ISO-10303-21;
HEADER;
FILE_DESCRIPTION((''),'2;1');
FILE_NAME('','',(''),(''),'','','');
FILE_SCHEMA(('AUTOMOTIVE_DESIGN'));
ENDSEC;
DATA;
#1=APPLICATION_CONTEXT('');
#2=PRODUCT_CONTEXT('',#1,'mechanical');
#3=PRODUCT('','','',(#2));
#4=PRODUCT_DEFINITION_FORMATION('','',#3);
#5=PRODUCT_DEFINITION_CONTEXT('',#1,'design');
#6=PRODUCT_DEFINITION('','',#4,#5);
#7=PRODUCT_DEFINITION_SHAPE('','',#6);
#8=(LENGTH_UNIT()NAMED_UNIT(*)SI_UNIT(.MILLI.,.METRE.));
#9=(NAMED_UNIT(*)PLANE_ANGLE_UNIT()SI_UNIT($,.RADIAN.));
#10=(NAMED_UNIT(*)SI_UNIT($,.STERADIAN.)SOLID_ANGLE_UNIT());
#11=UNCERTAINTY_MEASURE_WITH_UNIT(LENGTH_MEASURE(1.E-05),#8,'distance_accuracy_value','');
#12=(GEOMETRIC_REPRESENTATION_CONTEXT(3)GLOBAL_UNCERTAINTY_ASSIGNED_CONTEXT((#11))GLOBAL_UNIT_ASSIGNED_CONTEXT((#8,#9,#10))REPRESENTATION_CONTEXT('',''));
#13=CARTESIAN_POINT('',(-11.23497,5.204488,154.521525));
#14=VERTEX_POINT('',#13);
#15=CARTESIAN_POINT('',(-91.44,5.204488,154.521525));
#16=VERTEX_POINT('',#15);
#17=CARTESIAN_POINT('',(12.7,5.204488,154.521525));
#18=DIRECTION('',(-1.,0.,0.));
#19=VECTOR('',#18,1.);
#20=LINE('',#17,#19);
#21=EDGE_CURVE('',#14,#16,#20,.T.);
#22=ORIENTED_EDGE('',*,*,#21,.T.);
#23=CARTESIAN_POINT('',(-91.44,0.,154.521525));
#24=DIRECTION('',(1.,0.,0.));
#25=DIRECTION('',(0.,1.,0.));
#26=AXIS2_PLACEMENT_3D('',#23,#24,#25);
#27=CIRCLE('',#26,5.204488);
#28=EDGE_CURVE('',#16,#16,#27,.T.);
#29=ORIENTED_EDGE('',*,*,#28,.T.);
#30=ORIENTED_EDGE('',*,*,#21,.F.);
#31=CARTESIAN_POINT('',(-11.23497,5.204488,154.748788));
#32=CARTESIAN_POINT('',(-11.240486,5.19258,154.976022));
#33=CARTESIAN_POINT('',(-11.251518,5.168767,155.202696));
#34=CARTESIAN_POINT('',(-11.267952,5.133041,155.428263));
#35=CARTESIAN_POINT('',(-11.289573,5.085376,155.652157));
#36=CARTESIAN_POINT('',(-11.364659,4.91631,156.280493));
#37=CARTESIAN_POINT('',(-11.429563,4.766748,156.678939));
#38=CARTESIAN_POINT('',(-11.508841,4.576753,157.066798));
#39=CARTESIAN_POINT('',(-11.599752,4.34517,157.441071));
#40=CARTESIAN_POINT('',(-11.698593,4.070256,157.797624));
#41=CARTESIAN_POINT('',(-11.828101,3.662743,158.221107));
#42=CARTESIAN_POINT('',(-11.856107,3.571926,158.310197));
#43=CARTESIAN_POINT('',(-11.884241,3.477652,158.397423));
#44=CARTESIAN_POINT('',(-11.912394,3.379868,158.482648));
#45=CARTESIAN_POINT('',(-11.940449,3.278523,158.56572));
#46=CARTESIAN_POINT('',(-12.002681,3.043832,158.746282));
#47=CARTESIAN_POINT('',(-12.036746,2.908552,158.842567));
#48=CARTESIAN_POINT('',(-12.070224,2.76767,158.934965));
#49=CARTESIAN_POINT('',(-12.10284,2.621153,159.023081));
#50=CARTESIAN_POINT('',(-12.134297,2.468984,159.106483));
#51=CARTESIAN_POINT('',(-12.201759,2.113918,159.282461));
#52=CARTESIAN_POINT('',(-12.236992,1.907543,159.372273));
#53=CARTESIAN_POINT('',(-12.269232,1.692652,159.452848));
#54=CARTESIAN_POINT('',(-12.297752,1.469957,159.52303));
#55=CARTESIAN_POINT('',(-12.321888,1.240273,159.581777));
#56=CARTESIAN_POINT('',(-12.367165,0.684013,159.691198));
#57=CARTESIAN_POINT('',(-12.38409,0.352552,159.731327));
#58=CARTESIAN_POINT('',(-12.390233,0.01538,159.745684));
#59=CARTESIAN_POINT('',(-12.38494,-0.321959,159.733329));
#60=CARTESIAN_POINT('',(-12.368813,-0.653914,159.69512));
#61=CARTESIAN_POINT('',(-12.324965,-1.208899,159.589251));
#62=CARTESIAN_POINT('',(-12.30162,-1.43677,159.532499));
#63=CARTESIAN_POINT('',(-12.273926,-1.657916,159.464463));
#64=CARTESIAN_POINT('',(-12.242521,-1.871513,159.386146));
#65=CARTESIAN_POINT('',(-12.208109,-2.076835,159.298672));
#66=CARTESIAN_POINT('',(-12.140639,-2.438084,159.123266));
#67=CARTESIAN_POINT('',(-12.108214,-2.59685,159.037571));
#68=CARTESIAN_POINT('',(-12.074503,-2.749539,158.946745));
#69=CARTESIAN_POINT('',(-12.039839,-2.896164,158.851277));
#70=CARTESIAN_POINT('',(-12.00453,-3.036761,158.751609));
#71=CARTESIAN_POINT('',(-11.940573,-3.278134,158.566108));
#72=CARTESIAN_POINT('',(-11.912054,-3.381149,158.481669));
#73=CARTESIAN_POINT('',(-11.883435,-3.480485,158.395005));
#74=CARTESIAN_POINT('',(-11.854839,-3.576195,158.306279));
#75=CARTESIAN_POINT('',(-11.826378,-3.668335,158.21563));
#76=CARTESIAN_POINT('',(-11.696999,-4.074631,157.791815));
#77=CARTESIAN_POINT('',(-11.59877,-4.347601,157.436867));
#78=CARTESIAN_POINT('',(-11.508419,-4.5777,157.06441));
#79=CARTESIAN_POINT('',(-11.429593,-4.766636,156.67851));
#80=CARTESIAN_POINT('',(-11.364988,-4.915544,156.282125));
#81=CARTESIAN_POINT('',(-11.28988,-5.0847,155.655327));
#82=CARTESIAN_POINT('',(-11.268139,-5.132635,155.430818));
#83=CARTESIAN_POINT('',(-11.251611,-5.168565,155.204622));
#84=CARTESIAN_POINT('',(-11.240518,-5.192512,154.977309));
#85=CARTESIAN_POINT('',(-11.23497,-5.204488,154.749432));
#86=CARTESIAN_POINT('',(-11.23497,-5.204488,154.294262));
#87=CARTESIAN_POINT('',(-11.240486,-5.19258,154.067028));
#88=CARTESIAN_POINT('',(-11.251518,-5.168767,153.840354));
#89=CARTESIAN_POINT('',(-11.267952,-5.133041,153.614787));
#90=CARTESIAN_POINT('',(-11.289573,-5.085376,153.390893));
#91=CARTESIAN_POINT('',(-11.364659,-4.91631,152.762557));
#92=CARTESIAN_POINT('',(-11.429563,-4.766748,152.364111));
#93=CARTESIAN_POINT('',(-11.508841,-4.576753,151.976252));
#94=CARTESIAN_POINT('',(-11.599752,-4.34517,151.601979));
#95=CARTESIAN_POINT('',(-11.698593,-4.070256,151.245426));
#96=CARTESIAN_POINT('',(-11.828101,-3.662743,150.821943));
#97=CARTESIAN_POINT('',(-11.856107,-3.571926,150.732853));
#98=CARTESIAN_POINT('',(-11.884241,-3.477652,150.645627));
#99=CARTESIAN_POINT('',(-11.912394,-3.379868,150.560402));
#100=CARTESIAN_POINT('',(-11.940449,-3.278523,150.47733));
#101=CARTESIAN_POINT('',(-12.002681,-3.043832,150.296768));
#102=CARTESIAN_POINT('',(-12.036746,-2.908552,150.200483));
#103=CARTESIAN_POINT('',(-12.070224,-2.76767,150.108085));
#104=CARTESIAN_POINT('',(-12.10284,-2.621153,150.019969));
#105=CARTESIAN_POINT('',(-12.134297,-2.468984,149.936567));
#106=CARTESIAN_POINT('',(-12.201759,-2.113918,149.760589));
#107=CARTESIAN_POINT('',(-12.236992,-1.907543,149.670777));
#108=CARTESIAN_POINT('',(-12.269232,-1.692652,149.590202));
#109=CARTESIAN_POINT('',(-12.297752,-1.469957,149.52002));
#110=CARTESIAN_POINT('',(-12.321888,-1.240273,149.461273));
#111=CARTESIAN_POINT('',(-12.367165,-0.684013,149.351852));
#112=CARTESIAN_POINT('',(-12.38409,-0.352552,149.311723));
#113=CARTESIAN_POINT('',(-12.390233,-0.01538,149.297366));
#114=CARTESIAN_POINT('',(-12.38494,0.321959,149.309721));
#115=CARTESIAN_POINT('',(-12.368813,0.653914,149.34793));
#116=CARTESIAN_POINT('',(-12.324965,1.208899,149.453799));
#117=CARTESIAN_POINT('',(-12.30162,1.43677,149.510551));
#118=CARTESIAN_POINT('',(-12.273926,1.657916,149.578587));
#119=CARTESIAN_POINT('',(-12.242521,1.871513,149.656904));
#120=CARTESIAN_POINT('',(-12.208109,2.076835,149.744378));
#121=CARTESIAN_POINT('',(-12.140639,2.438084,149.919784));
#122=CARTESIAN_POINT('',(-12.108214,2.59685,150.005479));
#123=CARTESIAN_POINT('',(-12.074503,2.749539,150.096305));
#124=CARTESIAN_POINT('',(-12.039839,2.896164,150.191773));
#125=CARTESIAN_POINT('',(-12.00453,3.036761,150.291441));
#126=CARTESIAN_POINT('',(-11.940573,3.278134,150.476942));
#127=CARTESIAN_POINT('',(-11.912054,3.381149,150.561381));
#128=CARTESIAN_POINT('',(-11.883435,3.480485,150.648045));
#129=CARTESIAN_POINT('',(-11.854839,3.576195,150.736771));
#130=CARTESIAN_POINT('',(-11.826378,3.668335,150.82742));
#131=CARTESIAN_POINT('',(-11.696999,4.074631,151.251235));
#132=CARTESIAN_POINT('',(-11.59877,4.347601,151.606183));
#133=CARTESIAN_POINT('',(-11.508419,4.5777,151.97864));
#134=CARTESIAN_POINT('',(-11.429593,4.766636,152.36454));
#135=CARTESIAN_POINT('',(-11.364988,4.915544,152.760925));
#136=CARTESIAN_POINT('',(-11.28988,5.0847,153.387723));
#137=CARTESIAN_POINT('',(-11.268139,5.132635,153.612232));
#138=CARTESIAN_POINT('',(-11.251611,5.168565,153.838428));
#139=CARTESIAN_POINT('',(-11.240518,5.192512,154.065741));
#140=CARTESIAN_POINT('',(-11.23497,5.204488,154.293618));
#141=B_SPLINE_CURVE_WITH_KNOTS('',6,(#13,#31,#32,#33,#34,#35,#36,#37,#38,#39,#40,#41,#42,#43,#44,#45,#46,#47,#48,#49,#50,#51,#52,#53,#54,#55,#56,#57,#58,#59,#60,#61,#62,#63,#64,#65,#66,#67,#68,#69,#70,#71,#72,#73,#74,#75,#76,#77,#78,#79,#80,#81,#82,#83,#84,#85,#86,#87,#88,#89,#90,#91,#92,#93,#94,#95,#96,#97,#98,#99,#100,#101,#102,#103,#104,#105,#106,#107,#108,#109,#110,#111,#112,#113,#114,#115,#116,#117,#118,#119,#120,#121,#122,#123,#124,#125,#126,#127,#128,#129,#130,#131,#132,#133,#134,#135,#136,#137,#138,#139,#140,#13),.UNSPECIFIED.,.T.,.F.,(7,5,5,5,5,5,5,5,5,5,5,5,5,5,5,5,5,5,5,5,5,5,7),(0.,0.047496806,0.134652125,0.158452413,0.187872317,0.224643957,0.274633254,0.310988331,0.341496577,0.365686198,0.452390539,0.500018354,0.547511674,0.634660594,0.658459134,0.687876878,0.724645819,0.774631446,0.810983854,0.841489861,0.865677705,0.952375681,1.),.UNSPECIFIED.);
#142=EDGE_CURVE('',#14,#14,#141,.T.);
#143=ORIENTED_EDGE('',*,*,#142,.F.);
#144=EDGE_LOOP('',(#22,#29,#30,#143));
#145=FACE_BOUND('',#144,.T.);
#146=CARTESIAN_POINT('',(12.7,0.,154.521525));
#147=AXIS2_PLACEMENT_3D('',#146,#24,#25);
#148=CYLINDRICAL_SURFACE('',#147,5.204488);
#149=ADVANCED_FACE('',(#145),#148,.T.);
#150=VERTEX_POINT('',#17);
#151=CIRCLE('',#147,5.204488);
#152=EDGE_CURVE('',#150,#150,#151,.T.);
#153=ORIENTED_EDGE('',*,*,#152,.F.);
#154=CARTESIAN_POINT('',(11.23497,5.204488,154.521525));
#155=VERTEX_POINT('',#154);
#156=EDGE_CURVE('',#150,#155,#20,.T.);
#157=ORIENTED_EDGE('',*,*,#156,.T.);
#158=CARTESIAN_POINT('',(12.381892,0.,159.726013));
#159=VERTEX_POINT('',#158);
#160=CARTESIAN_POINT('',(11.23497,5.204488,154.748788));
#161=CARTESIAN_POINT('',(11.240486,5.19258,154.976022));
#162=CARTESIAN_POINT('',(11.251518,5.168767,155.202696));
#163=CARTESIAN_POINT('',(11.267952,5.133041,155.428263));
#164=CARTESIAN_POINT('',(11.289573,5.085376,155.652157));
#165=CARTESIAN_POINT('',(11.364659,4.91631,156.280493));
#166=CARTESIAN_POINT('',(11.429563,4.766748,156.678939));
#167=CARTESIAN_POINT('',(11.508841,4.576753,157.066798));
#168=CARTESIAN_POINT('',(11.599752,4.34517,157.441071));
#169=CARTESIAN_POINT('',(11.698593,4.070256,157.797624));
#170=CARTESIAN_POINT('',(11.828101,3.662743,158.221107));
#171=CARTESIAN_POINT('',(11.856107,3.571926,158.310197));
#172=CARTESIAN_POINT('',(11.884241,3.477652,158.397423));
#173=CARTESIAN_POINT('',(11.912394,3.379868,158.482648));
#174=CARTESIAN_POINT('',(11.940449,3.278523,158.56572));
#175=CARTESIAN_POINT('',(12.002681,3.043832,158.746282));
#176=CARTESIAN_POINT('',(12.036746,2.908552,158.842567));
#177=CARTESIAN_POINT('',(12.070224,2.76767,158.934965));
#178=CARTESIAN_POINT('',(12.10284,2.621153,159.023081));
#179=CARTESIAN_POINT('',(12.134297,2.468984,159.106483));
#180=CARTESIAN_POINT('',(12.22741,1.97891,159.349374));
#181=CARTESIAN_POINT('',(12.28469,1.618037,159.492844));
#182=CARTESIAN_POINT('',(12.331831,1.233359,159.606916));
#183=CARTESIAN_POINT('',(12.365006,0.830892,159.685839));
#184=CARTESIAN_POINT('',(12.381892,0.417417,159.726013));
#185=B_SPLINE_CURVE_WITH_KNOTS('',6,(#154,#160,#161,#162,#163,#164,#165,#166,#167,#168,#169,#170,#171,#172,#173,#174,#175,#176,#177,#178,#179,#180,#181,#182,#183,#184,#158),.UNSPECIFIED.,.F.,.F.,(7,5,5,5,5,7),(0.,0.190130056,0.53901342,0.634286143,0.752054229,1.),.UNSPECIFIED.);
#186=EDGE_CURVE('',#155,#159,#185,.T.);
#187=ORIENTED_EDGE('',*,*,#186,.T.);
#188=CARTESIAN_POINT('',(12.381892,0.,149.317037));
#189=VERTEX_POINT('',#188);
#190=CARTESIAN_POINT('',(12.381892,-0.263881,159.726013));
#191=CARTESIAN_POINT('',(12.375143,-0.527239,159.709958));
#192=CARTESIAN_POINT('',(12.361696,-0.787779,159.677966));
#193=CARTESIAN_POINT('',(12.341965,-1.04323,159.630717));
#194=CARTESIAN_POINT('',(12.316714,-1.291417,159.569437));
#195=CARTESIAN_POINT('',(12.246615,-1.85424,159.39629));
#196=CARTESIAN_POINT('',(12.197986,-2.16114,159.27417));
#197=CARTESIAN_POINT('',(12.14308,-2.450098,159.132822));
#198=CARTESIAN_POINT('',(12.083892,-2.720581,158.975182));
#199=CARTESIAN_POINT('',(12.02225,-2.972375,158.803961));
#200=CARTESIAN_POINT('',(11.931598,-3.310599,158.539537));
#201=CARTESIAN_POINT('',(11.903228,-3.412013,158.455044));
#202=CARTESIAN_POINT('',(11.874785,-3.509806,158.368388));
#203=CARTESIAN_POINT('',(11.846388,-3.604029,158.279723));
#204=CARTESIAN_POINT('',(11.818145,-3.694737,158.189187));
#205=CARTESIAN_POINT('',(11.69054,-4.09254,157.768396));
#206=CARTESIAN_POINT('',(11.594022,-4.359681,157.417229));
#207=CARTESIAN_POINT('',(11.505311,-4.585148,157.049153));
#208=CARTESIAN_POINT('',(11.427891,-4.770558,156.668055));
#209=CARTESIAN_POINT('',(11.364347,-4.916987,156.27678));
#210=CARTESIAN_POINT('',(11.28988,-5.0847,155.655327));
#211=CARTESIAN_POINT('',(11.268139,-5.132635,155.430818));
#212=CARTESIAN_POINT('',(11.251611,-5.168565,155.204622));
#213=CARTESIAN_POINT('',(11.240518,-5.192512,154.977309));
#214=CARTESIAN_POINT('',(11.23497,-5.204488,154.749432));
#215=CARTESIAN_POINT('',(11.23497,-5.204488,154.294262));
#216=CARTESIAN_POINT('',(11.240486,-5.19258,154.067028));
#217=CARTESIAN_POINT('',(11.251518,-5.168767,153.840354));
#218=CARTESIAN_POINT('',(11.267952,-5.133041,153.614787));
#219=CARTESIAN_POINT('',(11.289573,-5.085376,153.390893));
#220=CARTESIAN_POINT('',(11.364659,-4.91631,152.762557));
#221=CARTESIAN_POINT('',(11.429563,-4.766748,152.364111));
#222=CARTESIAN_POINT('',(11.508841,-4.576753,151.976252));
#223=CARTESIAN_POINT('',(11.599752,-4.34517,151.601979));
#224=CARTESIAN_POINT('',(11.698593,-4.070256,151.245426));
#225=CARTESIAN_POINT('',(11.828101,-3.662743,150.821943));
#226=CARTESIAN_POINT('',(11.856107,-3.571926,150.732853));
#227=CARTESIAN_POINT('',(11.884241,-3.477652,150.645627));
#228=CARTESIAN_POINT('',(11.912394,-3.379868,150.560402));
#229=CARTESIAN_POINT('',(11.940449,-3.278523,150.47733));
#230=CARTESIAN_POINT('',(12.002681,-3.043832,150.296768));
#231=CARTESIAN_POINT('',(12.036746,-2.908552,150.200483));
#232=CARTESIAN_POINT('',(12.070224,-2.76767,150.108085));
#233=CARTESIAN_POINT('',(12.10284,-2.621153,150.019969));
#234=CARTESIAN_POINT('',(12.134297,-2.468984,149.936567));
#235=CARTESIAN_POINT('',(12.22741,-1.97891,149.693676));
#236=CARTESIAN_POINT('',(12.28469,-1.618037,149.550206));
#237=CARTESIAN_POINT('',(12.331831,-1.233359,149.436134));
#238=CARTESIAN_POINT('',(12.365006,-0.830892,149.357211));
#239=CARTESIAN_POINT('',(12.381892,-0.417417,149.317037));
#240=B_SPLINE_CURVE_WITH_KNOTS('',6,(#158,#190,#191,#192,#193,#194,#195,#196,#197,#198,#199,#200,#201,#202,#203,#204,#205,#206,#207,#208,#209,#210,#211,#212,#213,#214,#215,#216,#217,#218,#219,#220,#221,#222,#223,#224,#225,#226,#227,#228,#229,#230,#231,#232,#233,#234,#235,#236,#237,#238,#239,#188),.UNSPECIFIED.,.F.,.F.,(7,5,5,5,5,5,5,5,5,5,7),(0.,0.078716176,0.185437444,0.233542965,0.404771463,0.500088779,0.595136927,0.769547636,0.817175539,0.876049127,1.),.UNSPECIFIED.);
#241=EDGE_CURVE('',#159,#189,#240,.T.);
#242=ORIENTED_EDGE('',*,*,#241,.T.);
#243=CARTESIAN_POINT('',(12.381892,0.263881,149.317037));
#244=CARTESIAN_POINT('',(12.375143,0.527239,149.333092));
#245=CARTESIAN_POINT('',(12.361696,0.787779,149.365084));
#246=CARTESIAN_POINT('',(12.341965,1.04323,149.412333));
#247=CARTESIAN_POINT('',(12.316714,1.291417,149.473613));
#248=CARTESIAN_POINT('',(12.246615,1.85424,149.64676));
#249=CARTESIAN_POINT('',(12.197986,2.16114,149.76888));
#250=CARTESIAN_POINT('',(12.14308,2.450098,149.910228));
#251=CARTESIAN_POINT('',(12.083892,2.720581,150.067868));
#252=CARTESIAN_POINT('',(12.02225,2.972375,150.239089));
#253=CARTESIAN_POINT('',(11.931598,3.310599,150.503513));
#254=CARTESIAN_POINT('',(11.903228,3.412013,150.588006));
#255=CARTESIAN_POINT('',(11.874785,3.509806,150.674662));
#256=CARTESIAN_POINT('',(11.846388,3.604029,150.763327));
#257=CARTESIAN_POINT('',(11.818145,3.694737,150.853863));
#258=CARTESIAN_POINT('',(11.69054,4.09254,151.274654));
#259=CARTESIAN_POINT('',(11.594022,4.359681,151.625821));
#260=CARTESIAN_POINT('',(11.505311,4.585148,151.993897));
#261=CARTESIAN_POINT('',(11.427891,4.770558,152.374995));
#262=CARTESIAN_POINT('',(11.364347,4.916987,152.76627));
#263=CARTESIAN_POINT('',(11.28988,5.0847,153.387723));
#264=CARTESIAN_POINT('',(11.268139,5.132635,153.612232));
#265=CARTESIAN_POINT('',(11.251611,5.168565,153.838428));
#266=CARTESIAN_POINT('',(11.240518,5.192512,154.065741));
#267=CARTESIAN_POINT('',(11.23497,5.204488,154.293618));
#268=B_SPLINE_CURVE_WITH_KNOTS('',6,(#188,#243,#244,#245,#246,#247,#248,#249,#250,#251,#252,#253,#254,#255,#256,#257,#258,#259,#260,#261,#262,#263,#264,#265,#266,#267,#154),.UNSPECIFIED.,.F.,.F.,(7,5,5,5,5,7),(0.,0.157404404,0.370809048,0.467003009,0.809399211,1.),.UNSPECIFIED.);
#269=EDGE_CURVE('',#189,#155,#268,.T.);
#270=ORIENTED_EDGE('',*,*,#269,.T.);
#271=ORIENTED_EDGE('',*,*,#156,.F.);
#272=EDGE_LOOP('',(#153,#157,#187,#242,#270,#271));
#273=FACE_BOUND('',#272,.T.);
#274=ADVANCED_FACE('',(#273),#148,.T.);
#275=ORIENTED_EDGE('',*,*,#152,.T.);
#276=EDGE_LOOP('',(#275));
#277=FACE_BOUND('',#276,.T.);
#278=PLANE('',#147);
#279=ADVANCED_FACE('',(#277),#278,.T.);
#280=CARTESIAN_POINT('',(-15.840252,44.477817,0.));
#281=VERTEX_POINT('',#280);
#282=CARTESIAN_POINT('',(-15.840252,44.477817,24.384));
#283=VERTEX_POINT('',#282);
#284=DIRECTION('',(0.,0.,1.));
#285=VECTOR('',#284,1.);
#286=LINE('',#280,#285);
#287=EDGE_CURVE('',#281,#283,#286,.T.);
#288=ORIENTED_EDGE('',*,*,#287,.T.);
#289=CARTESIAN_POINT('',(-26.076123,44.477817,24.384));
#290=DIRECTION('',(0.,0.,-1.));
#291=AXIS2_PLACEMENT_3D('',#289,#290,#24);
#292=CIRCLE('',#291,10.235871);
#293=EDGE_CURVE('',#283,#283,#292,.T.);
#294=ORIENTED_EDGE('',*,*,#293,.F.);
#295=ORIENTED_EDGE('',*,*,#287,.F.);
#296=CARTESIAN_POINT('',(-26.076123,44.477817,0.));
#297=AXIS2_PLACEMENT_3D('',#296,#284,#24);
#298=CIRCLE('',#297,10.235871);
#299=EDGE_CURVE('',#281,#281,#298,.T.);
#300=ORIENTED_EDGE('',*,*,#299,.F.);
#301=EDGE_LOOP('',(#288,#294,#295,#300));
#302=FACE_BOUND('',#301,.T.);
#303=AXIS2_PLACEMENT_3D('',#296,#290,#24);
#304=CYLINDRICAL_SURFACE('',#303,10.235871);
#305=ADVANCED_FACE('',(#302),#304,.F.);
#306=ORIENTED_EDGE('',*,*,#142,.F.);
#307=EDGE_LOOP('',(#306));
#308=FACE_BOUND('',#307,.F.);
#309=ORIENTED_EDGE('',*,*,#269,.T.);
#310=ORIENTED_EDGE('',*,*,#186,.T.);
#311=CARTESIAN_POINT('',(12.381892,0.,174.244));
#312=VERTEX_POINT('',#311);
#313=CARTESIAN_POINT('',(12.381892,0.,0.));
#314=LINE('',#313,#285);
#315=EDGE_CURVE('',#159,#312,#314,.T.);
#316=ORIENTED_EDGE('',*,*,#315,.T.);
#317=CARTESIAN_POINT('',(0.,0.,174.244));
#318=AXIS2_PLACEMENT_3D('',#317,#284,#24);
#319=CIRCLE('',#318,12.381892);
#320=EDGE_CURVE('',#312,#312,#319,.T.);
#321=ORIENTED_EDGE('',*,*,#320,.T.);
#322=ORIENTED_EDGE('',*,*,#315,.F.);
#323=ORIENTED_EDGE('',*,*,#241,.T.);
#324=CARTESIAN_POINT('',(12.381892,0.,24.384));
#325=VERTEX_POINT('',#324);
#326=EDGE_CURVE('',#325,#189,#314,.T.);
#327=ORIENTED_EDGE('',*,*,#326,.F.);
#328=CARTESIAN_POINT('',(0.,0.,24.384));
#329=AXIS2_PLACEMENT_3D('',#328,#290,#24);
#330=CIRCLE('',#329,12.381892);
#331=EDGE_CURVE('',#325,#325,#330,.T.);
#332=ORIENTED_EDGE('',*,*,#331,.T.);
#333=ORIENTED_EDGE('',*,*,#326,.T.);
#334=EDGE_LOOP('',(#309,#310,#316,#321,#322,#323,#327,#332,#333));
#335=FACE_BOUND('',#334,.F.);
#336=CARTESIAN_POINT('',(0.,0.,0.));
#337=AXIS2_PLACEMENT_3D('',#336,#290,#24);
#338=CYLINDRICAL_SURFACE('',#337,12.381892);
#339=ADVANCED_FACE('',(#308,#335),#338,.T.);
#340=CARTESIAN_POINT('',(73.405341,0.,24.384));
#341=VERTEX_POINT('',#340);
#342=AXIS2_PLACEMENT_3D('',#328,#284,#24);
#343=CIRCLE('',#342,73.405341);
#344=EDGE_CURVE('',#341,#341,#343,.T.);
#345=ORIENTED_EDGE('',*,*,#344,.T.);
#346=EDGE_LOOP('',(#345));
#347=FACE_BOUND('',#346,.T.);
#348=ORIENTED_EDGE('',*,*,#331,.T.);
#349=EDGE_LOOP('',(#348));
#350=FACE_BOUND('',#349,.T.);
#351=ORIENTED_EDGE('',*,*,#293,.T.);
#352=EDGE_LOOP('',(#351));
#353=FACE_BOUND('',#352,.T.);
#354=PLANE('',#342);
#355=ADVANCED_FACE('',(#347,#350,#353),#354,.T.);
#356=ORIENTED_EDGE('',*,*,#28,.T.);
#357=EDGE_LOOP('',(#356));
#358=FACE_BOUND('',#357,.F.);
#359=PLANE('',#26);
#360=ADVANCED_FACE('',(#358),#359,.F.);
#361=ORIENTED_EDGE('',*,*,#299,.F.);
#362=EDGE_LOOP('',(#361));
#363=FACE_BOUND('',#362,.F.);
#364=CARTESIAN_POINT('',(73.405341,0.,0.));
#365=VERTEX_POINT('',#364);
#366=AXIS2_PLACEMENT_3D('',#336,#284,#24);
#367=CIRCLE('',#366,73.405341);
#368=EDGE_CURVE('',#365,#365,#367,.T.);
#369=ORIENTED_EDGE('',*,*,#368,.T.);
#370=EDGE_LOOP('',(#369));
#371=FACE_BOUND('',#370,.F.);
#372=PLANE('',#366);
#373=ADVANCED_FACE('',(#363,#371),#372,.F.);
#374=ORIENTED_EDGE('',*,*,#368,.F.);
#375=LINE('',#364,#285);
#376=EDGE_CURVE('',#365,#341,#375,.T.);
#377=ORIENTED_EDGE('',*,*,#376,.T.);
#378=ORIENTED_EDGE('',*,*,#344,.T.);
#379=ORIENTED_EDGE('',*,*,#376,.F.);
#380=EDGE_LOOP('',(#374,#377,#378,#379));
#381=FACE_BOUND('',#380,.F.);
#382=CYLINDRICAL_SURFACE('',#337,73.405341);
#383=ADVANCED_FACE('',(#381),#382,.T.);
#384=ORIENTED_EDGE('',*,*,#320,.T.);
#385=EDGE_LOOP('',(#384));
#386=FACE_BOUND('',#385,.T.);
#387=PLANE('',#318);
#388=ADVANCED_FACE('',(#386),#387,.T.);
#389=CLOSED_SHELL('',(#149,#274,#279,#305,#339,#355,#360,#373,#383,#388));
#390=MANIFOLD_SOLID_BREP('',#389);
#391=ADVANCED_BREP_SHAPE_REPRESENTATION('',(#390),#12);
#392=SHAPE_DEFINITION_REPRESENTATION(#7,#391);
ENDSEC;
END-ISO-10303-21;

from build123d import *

# Parameters (mm, degrees)
F0_R     = 12.381892
F1_DEPTH = 174.244
F3_R     = 5.204488
F4_DEPTH = 104.14
F5_R     = 73.405341
F6_DEPTH = 24.384
F7_R     = 10.235871
F8_DEPTH = 25.4


with BuildPart() as f1:
    # F0 (on Top) → F1 (new body)
    with BuildSketch(Plane.XY):
        Circle(F0_R)
    extrude(amount=F1_DEPTH)

    # F3 (on offset) → F4 (join)
    with BuildSketch(Plane.YZ.offset(12.7)):
        with Locations((0, 154.521525)):
            Circle(F3_R)
    extrude(amount=-F4_DEPTH)

    # F5 (on Top) → F6 (join)
    with BuildSketch(Plane.XY):
        Circle(F5_R)
    extrude(amount=F6_DEPTH)

    # F7 (on Top) → F8 (cut)
    with BuildSketch(Plane.XY):
        with Locations((-26.076123, 44.477817)):
            Circle(F7_R)
    extrude(amount=F8_DEPTH, mode=Mode.SUBTRACT)


solid = f1.part
